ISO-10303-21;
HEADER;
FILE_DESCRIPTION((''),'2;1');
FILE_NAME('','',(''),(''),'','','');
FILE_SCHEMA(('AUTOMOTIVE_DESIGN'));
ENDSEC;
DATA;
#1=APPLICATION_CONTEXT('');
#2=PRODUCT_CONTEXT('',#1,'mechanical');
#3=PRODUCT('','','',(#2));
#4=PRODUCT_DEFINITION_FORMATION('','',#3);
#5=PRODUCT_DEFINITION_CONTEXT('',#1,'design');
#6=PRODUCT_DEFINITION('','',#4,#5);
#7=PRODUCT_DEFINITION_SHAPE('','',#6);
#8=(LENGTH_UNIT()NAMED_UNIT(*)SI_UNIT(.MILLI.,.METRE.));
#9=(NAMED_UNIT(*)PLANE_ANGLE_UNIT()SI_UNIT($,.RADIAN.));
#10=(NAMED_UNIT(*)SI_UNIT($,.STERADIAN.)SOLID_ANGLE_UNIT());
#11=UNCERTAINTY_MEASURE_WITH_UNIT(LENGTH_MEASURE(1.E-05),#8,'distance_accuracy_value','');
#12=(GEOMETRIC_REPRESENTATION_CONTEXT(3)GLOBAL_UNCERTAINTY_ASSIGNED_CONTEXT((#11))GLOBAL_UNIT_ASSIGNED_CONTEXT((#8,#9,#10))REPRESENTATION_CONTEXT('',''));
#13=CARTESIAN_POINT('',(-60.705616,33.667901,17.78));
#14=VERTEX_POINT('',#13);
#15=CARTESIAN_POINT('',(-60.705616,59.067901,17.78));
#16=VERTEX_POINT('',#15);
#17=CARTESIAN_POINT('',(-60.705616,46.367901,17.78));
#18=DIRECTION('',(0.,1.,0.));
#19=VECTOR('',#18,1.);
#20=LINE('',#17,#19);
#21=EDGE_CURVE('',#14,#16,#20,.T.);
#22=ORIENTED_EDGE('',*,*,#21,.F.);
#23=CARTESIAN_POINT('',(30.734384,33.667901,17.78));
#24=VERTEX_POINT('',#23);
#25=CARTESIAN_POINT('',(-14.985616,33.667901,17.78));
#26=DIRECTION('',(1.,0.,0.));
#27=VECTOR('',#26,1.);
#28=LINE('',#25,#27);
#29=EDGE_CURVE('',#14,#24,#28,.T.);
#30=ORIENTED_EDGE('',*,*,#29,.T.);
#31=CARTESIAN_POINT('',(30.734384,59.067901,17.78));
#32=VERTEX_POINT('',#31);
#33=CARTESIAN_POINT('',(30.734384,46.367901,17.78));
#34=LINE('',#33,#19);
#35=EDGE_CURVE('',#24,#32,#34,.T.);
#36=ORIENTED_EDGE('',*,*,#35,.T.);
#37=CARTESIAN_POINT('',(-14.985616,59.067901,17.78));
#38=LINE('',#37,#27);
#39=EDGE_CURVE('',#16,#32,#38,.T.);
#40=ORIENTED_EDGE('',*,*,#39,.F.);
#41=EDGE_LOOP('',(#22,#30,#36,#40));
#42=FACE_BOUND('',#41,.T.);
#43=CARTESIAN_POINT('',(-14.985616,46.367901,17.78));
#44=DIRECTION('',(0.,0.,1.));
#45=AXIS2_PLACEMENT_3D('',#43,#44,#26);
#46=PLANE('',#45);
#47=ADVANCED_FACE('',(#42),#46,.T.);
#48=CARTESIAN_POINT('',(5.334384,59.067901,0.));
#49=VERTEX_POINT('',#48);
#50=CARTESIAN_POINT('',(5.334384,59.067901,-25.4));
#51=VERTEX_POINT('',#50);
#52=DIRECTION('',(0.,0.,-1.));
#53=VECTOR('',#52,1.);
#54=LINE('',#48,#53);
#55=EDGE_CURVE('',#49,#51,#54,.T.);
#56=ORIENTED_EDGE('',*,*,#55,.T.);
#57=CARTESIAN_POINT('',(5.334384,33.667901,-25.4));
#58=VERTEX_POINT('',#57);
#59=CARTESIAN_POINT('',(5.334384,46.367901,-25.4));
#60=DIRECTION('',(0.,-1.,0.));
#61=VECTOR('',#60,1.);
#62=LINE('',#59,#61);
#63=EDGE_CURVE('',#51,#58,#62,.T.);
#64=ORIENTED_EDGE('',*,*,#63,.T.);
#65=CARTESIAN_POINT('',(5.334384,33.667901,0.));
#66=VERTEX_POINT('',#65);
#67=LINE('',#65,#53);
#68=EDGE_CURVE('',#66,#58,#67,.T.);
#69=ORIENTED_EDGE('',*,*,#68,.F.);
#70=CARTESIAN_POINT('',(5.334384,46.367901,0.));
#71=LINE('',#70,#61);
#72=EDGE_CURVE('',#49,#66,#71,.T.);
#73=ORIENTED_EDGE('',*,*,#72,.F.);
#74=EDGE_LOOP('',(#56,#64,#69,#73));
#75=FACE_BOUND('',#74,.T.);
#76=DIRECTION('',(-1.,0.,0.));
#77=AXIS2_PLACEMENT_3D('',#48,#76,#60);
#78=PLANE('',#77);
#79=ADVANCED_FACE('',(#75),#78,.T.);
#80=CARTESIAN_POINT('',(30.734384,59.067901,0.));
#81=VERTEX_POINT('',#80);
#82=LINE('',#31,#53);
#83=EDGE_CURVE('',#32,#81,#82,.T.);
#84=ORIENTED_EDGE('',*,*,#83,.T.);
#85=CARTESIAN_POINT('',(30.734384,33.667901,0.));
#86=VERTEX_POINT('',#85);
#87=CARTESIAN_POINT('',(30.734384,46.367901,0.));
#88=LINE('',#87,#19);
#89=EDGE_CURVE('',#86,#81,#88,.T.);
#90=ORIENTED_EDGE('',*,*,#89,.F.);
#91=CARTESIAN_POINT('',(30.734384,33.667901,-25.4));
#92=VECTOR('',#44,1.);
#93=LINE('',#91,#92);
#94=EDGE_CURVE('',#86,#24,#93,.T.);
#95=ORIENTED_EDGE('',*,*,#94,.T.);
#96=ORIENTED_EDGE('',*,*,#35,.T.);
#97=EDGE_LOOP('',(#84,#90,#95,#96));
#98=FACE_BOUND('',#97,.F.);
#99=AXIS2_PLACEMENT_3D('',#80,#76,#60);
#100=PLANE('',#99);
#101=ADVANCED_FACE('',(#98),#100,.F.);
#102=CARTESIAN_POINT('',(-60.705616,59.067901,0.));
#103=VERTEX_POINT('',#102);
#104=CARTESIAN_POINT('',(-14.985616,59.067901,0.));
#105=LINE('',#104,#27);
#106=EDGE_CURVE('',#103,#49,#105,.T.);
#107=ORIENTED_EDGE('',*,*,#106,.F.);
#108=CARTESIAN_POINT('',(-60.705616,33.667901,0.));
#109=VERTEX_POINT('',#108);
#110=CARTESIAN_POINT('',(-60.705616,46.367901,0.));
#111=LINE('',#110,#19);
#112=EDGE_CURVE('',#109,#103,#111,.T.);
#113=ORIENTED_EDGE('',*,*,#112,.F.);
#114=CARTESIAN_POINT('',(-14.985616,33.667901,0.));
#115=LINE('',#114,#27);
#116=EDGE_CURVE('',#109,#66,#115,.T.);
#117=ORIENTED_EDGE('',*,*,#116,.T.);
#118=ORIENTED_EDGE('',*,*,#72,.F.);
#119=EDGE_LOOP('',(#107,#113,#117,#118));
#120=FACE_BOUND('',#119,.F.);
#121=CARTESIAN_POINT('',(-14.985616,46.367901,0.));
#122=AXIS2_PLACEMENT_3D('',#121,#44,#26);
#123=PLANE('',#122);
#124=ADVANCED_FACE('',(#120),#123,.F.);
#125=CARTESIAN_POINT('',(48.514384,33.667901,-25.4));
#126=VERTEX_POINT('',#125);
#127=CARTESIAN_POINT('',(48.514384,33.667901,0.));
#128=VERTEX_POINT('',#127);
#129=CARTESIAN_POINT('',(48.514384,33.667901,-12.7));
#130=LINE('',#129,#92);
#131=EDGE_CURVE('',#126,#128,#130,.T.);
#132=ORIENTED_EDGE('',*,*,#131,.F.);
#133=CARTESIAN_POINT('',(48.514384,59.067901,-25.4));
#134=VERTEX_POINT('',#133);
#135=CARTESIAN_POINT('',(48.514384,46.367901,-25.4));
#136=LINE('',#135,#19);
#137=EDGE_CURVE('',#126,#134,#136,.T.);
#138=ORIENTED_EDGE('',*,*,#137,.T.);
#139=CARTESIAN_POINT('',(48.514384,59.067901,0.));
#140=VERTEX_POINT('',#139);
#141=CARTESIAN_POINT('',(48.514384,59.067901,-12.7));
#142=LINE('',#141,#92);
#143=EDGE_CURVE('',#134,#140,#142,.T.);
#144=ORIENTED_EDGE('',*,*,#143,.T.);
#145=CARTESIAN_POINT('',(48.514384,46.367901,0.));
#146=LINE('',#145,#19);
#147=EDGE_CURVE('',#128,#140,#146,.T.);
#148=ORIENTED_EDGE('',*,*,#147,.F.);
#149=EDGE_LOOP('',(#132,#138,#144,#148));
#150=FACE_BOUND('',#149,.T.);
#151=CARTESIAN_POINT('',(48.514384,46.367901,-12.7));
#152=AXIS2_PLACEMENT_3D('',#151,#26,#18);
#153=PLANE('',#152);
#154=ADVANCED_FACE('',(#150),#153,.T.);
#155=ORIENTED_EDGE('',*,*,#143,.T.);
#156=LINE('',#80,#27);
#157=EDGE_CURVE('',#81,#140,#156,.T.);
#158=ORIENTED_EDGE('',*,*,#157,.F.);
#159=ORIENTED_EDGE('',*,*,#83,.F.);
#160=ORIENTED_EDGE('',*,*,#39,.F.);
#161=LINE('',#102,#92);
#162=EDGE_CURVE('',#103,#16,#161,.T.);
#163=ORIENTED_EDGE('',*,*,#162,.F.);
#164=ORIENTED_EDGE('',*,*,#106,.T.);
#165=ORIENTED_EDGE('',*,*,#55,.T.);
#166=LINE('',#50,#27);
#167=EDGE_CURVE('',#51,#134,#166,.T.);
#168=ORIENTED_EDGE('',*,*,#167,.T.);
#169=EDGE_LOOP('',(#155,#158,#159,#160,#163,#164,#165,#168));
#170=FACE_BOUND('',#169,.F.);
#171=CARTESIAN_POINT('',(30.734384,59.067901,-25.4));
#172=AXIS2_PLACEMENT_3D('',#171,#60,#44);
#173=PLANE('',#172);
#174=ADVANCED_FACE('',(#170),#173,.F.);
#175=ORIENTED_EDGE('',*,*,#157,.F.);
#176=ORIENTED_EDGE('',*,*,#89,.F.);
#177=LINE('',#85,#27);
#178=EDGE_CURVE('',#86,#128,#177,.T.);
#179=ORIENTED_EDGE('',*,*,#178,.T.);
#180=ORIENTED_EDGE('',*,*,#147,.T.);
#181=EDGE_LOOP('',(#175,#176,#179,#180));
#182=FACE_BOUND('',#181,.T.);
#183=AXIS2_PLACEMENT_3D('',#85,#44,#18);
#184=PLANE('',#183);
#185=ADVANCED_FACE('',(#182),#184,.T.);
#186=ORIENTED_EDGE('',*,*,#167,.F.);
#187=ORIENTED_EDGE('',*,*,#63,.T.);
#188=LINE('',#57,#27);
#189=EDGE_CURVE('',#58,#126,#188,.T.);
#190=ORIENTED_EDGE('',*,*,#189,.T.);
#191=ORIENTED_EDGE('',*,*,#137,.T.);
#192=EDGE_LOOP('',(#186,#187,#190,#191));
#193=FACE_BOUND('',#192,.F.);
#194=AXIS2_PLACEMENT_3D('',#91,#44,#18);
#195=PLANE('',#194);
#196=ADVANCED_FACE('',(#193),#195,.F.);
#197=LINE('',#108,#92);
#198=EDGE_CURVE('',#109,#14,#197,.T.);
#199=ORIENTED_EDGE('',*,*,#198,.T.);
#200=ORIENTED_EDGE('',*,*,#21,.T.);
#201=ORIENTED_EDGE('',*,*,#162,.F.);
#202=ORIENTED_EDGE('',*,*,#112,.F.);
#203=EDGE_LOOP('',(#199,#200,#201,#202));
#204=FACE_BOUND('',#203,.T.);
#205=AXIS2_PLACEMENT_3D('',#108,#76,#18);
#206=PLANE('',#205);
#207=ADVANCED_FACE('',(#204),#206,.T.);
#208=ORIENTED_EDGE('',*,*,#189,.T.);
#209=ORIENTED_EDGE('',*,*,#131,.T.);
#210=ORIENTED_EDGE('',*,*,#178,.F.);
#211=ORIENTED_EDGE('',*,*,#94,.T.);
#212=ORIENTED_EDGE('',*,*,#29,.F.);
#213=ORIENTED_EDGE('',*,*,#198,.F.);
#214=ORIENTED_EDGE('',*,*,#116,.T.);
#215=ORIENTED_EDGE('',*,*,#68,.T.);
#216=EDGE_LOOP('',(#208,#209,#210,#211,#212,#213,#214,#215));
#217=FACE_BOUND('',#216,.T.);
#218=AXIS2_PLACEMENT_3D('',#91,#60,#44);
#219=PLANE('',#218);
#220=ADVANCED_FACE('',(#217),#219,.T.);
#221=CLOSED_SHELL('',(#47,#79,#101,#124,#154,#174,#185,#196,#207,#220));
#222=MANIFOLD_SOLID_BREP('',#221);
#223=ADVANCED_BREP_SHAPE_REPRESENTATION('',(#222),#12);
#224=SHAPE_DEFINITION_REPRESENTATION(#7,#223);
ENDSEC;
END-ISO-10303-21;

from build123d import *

# Parameters (mm, degrees)
F0_W     = 91.44
F0_H     = 25.4
F1_DEPTH = 17.78
F2_W     = 25.4
F2_H     = 25.4
F3_DEPTH = 25.4
F4_W     = 25.4
F4_H     = 25.4
F5_DEPTH = 17.78


with BuildPart() as f1:
    # F0 (on Top) → F1 (new body)
    with BuildSketch(Plane.XY):
        with Locations((-14.985616, 46.367901)):
            Rectangle(F0_W, F0_H)
    extrude(amount=F1_DEPTH)

    # F2 (on face) → F3 (join)
    with BuildSketch(Plane(origin=(0, 0, 0), x_dir=(1, 0, 0), z_dir=(0, 0, -1))):
        with Locations((18.034384, -46.367901)):
            Rectangle(F2_W, F2_H)
    extrude(amount=F3_DEPTH)

    # F4 (on face) → F5 (join)
    with BuildSketch(Plane.YZ.offset(30.734384)):
        with Locations((46.367901, -12.7)):
            Rectangle(F4_W, F4_H)
    extrude(amount=F5_DEPTH)


solid = f1.part
